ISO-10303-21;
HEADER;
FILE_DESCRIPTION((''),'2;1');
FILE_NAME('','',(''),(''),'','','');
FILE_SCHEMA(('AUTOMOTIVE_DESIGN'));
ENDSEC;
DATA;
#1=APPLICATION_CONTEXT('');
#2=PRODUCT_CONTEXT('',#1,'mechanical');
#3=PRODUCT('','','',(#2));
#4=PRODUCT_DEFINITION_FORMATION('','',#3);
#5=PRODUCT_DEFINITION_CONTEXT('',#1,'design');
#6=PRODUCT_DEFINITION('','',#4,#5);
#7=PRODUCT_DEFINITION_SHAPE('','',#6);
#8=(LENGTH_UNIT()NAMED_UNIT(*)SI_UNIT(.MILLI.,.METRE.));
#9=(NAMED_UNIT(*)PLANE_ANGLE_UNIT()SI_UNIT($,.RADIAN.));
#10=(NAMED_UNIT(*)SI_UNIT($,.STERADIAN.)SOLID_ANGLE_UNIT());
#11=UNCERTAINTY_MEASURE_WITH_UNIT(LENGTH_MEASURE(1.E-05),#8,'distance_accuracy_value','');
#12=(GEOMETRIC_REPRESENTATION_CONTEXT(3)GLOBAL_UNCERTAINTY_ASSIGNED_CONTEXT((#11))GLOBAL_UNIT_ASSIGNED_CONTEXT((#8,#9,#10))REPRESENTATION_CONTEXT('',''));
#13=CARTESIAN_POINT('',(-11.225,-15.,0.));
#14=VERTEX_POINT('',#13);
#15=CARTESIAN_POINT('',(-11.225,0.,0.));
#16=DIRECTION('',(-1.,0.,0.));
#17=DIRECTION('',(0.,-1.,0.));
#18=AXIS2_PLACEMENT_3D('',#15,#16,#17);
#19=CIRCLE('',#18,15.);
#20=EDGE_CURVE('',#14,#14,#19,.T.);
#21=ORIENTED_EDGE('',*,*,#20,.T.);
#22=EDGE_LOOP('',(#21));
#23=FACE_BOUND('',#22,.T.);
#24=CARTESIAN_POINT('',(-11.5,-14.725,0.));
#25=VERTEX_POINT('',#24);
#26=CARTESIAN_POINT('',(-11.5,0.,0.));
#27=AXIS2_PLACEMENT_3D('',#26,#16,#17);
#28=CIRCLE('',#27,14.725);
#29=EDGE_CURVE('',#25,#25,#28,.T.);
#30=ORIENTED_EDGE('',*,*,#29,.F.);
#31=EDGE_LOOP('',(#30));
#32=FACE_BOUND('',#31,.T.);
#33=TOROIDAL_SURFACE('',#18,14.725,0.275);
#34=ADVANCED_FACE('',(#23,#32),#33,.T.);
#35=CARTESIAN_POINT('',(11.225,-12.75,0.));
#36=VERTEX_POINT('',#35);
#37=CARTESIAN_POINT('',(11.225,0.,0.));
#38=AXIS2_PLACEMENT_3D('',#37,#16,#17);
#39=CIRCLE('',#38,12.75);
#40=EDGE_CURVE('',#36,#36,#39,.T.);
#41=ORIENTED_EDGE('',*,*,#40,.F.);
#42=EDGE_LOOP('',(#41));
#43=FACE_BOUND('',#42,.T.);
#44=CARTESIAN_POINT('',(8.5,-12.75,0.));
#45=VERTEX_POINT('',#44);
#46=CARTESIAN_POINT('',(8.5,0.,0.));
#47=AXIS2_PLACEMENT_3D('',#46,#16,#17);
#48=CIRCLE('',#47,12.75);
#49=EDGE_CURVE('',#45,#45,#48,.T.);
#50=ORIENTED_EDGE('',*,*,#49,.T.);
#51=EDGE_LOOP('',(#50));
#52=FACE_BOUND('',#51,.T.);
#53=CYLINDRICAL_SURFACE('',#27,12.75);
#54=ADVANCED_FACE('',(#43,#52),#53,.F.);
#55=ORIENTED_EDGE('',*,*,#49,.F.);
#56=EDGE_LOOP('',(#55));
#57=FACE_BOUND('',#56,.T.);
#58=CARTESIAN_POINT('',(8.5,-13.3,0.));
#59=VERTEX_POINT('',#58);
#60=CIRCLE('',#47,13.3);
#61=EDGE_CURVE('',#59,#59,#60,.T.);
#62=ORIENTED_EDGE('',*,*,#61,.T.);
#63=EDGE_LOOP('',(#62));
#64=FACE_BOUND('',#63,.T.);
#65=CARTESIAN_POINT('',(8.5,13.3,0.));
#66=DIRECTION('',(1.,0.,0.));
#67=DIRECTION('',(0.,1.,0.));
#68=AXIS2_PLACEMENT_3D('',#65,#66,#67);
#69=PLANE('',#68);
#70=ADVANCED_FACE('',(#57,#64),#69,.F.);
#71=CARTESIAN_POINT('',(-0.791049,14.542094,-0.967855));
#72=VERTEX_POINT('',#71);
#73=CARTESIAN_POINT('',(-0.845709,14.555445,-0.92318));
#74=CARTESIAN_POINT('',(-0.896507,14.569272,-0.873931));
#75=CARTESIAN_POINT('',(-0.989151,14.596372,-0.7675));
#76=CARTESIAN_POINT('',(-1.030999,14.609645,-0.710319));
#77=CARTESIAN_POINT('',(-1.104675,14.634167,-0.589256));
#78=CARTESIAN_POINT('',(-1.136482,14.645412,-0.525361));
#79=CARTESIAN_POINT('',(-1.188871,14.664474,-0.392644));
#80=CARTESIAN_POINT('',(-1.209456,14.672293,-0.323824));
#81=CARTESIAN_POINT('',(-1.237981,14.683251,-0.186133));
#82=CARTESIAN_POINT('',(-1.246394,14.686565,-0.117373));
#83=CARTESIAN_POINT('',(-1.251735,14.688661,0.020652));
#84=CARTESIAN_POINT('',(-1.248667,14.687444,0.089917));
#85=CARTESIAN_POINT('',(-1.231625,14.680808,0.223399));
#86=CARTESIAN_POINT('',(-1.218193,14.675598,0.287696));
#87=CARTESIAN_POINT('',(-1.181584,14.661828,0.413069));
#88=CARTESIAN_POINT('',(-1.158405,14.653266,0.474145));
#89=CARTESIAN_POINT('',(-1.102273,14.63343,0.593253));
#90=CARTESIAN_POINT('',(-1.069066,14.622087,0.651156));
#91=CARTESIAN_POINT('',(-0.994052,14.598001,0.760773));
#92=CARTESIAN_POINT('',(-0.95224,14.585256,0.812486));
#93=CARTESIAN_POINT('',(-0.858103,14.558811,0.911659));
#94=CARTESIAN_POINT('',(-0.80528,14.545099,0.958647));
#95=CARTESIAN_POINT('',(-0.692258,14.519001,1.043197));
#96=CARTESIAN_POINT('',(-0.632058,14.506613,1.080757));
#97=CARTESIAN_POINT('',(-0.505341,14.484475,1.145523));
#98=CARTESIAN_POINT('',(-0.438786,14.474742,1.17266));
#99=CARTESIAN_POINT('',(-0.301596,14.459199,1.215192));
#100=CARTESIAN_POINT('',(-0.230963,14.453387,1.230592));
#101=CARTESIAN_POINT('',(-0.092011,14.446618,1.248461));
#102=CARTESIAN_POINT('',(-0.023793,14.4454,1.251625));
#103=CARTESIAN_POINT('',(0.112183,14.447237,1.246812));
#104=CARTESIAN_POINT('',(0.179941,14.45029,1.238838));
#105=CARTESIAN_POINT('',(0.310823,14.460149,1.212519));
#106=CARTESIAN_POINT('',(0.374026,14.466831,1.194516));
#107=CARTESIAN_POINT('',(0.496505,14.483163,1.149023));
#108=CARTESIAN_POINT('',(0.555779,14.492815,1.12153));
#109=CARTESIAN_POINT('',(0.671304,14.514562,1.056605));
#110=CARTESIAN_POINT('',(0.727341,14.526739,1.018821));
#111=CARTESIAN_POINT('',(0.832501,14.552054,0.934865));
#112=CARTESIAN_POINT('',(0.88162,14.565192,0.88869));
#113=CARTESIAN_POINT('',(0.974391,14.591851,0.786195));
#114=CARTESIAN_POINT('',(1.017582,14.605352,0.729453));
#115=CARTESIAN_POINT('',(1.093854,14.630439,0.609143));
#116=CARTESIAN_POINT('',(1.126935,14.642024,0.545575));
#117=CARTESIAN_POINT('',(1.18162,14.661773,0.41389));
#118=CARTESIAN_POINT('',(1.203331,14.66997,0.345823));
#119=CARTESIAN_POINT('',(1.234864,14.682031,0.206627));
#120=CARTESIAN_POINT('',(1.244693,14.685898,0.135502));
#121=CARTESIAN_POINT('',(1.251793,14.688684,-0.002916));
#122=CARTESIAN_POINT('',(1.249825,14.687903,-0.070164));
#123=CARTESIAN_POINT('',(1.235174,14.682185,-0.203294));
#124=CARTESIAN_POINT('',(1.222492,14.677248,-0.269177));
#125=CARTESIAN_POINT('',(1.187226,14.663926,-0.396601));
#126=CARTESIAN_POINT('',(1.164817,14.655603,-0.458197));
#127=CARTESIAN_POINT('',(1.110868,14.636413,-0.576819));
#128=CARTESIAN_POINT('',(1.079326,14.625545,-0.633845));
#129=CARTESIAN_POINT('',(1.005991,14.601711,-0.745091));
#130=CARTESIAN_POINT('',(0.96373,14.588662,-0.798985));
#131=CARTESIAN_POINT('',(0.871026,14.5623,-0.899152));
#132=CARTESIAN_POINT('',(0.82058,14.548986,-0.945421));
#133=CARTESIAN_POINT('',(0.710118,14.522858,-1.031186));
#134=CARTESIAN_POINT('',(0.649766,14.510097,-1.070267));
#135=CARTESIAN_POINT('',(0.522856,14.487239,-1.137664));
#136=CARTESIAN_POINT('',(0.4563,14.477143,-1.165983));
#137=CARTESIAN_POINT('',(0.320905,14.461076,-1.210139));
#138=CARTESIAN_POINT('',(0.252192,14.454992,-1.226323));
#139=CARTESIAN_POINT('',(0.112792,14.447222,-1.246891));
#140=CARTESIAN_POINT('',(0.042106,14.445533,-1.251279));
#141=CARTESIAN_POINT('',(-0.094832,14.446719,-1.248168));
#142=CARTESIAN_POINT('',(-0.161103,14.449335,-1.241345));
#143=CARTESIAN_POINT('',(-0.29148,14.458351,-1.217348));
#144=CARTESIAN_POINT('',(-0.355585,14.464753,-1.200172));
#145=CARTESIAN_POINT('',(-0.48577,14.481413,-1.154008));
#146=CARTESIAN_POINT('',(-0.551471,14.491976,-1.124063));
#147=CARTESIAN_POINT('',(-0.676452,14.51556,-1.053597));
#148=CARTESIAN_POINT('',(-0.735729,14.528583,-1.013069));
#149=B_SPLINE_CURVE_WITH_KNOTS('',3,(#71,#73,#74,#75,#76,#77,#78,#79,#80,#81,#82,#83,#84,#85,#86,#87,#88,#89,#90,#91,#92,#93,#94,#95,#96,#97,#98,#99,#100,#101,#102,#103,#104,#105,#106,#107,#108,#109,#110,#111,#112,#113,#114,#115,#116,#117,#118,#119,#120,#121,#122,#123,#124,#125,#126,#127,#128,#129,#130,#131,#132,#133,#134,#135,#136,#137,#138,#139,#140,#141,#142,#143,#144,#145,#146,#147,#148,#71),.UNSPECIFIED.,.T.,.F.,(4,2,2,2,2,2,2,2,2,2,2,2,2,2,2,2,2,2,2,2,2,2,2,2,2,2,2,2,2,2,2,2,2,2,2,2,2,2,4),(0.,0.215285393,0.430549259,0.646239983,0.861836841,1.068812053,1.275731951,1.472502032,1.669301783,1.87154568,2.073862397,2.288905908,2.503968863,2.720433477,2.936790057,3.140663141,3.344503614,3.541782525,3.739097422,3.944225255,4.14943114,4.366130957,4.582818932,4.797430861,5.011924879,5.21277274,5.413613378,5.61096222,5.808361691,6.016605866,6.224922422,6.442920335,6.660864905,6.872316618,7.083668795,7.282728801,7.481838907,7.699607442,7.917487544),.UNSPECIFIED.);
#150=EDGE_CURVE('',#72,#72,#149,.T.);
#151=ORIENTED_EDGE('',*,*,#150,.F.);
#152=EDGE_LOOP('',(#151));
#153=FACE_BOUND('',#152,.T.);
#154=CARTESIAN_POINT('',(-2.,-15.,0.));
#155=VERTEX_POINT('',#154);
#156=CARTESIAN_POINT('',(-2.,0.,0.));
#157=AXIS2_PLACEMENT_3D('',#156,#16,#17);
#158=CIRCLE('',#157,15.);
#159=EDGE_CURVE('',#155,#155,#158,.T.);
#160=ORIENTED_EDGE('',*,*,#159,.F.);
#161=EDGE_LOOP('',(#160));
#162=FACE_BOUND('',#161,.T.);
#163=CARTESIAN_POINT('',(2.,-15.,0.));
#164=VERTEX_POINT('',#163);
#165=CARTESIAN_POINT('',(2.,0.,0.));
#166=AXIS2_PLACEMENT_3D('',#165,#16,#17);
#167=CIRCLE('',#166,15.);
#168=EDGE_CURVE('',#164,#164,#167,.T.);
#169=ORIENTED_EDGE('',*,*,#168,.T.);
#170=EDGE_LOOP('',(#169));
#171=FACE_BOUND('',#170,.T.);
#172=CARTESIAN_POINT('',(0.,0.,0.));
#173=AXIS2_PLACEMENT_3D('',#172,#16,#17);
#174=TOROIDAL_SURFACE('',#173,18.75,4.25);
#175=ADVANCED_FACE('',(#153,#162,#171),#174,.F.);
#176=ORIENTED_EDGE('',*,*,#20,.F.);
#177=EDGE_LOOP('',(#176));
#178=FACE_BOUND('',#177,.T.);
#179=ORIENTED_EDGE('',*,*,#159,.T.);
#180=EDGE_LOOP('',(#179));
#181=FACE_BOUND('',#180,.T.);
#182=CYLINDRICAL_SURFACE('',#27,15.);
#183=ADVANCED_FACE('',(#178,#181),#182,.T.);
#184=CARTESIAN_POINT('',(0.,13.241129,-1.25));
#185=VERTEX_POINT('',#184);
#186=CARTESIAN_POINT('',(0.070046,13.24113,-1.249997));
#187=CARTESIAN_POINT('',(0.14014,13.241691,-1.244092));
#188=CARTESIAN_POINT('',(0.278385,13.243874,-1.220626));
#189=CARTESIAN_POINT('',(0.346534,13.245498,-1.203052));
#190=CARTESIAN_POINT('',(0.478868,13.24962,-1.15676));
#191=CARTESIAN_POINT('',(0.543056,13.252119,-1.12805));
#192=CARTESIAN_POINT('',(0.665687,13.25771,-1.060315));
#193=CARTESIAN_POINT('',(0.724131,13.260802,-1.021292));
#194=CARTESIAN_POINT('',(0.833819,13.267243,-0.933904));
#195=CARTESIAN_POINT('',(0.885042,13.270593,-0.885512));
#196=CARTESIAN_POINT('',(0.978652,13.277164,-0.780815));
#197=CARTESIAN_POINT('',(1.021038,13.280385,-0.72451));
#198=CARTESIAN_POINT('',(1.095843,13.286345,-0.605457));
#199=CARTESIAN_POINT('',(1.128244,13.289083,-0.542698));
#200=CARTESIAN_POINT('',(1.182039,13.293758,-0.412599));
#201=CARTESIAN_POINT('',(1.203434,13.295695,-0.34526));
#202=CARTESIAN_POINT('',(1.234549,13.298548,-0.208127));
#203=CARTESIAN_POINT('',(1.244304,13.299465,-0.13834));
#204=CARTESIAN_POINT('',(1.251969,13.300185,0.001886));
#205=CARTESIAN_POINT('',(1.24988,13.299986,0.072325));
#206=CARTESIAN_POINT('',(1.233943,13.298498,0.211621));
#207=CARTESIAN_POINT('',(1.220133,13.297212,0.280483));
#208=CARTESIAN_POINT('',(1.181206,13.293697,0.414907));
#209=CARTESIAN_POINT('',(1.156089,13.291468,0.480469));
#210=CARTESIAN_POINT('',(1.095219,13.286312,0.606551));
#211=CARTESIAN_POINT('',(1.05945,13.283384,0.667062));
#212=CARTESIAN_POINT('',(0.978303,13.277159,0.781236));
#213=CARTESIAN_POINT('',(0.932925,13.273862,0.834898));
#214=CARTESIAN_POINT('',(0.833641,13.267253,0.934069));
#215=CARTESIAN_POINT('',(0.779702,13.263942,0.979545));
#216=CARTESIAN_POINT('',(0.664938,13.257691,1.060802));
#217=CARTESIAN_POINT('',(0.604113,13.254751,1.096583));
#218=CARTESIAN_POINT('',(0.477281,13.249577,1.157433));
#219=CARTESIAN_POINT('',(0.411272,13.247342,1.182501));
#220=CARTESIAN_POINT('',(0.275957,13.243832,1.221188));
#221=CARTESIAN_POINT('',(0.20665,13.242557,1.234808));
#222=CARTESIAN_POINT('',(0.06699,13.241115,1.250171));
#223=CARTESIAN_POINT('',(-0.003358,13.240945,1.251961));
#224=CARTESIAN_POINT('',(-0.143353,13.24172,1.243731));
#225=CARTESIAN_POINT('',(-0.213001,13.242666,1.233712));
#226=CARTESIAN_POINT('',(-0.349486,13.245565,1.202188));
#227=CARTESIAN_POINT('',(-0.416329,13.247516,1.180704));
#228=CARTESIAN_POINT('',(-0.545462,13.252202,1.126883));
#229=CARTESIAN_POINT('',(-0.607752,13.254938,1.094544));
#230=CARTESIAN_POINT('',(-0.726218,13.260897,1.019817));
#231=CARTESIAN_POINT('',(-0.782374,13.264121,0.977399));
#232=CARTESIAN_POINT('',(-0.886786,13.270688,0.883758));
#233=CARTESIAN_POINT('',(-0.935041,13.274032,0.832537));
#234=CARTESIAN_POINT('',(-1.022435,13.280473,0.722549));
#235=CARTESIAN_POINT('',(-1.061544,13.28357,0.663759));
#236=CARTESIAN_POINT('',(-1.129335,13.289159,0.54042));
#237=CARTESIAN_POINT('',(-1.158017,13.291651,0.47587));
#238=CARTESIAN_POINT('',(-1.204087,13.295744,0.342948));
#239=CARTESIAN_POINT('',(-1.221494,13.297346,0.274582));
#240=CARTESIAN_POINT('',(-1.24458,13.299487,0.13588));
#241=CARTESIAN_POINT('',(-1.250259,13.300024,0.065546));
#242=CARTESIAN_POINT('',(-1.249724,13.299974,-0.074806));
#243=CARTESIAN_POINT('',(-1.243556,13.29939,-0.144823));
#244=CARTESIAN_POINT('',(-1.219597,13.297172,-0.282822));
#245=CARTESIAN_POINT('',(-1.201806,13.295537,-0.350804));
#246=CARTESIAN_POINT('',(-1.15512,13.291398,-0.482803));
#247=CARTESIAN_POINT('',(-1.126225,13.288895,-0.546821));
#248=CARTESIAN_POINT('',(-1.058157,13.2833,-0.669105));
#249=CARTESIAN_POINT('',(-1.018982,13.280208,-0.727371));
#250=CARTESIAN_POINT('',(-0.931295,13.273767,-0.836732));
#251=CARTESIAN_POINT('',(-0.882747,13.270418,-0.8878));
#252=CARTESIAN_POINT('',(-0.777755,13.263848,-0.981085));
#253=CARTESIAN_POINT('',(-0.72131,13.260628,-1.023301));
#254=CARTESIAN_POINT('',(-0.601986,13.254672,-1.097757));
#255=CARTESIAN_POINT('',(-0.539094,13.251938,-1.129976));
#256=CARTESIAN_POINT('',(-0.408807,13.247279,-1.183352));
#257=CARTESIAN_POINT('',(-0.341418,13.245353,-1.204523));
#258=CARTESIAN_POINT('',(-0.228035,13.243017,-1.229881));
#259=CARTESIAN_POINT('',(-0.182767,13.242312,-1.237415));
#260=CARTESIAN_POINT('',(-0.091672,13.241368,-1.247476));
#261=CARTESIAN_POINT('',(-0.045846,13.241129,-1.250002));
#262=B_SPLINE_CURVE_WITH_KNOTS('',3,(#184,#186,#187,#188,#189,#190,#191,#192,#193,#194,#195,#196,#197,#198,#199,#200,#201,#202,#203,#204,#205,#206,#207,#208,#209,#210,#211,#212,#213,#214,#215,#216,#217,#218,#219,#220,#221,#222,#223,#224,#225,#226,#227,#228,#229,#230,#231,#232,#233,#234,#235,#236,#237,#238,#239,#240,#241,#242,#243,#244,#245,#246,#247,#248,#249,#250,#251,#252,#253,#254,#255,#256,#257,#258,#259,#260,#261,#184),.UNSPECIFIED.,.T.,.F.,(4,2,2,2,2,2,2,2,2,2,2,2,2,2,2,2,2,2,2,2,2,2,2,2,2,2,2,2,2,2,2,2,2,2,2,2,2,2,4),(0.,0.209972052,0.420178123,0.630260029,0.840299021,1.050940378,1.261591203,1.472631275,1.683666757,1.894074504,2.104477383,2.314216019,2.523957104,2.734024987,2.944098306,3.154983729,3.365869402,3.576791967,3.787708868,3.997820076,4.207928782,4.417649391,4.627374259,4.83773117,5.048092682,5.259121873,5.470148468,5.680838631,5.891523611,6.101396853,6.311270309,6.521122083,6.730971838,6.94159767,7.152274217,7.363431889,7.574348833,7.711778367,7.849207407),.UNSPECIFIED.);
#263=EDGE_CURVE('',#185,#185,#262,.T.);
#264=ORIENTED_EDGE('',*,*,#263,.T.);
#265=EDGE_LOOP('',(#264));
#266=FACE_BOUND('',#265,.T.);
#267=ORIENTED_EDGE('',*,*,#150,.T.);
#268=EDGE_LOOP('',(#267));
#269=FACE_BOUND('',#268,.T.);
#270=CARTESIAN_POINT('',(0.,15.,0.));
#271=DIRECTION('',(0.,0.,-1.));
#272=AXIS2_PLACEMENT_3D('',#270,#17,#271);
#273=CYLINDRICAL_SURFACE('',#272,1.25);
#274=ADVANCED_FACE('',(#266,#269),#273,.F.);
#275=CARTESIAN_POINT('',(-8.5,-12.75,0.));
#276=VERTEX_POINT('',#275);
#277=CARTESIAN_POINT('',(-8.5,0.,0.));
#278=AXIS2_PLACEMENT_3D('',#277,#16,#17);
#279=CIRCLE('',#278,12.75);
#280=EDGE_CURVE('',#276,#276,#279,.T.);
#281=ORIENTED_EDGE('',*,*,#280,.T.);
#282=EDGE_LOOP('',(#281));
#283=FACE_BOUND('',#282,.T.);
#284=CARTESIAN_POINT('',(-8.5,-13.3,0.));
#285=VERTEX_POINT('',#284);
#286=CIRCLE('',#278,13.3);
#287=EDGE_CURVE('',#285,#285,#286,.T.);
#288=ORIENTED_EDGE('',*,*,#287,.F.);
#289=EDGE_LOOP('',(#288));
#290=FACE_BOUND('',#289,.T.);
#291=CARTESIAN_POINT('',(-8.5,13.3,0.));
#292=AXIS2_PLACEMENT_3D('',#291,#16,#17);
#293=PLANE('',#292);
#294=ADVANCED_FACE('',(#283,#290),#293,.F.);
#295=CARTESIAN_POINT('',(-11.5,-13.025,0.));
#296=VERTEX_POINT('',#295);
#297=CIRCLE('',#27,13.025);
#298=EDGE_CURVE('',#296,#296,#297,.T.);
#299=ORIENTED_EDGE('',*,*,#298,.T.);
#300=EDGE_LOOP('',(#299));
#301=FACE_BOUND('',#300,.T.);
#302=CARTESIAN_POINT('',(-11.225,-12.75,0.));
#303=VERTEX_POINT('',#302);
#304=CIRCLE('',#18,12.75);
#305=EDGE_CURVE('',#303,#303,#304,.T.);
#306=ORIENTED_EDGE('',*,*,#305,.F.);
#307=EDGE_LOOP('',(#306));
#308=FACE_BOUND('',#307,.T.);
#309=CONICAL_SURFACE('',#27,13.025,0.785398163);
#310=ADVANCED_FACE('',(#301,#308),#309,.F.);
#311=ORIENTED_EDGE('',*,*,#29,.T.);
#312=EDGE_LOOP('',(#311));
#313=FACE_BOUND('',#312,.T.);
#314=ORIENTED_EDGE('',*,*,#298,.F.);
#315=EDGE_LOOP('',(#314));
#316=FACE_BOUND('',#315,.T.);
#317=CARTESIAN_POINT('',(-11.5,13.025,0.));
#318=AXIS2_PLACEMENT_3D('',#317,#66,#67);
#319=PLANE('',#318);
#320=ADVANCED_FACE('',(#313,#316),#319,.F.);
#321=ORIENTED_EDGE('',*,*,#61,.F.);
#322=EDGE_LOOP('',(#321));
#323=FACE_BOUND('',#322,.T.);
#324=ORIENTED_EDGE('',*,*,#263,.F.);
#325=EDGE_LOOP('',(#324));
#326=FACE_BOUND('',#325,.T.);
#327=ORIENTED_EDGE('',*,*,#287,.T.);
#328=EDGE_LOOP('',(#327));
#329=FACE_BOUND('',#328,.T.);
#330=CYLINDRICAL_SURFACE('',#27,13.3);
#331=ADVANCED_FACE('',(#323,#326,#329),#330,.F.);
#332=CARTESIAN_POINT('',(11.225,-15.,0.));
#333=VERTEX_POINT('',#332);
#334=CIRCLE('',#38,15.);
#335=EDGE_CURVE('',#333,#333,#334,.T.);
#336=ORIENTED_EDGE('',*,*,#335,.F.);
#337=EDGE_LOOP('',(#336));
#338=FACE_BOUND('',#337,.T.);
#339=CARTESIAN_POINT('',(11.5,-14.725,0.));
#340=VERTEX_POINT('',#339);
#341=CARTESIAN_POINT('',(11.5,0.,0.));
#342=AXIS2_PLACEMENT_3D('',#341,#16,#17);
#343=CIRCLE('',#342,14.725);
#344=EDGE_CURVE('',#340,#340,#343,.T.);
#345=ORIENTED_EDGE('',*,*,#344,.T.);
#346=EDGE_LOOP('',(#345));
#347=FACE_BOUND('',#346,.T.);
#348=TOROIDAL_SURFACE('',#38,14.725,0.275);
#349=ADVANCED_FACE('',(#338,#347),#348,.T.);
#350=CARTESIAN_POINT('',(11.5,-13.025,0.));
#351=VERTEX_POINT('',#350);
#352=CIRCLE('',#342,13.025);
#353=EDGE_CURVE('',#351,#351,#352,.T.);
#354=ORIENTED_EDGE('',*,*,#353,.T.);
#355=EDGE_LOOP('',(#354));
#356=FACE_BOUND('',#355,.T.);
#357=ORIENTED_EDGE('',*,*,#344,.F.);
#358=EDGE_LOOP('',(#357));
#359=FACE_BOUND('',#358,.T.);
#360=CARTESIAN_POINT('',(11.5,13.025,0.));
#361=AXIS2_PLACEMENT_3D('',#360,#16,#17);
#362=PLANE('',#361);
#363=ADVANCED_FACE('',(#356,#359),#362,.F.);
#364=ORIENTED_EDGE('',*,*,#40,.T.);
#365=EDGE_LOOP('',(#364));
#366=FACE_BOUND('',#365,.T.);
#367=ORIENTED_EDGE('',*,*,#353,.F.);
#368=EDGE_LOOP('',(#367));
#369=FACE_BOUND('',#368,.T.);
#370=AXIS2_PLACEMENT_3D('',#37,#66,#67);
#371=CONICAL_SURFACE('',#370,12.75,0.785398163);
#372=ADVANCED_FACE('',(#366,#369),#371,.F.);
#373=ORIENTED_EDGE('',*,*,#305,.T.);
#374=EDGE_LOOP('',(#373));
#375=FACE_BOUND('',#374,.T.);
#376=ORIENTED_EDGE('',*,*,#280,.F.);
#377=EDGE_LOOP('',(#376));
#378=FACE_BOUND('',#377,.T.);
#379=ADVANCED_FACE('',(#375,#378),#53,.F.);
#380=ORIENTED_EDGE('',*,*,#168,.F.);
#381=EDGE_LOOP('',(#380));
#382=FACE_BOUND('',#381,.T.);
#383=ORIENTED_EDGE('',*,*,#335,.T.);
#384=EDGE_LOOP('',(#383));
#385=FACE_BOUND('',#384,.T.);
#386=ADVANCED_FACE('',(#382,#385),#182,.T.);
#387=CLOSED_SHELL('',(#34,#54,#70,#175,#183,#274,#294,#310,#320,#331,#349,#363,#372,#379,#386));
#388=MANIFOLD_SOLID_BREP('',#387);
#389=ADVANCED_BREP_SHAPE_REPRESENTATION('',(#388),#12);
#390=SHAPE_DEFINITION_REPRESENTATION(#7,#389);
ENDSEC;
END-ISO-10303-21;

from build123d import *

# Parameters (mm, degrees)
SKETCH4_R          = 1.25
CUT_EXTRUDE1_DEPTH = 25.129857072


with BuildPart() as part:
    # Sketch2 → Revolve1 (revolve)
    with BuildSketch(Plane.XY, mode=Mode.PRIVATE) as revolve1_sk:
        with BuildLine():
            Line((-8.5, 13.3), (8.5, 13.3))
            Line((8.5, 13.3), (8.5, 12.75))
            Line((8.5, 12.75), (11.225, 12.75))
            Line((11.225, 12.75), (11.5, 13.025))
            Line((11.5, 13.025), (11.5, 14.725))
            ThreePointArc((11.5, 14.725), (11.419454365, 14.919454365), (11.225, 15))
            Line((11.225, 15), (2, 15))
            ThreePointArc((2, 15), (0, 14.5), (-2, 15))
            Line((-2, 15), (-11.225, 15))
            ThreePointArc((-11.225, 15), (-11.419454365, 14.919454365), (-11.5, 14.725))
            Line((-11.5, 14.725), (-11.5, 13.025))
            Line((-11.5, 13.025), (-11.225, 12.75))
            Line((-11.225, 12.75), (-8.5, 12.75))
            Line((-8.5, 12.75), (-8.5, 13.3))
        make_face()
    revolve(revolve1_sk.sketch.rotate(Axis((-11.5, 0, 0), (1, 0, 0)), 180), axis=Axis((-11.5, 0, 0), (1, 0, 0)))

    # Sketch4 → Cut-Extrude1 (cut, through all)
    with BuildSketch(Plane(origin=(0, 0, 0), x_dir=(1, 0, 0), z_dir=(0, 1, 0))):
        with Locations(Location((0, 0, 0), (0, 0, 90))):
            Circle(SKETCH4_R)
    extrude(amount=CUT_EXTRUDE1_DEPTH, mode=Mode.SUBTRACT)


solid = part.part
